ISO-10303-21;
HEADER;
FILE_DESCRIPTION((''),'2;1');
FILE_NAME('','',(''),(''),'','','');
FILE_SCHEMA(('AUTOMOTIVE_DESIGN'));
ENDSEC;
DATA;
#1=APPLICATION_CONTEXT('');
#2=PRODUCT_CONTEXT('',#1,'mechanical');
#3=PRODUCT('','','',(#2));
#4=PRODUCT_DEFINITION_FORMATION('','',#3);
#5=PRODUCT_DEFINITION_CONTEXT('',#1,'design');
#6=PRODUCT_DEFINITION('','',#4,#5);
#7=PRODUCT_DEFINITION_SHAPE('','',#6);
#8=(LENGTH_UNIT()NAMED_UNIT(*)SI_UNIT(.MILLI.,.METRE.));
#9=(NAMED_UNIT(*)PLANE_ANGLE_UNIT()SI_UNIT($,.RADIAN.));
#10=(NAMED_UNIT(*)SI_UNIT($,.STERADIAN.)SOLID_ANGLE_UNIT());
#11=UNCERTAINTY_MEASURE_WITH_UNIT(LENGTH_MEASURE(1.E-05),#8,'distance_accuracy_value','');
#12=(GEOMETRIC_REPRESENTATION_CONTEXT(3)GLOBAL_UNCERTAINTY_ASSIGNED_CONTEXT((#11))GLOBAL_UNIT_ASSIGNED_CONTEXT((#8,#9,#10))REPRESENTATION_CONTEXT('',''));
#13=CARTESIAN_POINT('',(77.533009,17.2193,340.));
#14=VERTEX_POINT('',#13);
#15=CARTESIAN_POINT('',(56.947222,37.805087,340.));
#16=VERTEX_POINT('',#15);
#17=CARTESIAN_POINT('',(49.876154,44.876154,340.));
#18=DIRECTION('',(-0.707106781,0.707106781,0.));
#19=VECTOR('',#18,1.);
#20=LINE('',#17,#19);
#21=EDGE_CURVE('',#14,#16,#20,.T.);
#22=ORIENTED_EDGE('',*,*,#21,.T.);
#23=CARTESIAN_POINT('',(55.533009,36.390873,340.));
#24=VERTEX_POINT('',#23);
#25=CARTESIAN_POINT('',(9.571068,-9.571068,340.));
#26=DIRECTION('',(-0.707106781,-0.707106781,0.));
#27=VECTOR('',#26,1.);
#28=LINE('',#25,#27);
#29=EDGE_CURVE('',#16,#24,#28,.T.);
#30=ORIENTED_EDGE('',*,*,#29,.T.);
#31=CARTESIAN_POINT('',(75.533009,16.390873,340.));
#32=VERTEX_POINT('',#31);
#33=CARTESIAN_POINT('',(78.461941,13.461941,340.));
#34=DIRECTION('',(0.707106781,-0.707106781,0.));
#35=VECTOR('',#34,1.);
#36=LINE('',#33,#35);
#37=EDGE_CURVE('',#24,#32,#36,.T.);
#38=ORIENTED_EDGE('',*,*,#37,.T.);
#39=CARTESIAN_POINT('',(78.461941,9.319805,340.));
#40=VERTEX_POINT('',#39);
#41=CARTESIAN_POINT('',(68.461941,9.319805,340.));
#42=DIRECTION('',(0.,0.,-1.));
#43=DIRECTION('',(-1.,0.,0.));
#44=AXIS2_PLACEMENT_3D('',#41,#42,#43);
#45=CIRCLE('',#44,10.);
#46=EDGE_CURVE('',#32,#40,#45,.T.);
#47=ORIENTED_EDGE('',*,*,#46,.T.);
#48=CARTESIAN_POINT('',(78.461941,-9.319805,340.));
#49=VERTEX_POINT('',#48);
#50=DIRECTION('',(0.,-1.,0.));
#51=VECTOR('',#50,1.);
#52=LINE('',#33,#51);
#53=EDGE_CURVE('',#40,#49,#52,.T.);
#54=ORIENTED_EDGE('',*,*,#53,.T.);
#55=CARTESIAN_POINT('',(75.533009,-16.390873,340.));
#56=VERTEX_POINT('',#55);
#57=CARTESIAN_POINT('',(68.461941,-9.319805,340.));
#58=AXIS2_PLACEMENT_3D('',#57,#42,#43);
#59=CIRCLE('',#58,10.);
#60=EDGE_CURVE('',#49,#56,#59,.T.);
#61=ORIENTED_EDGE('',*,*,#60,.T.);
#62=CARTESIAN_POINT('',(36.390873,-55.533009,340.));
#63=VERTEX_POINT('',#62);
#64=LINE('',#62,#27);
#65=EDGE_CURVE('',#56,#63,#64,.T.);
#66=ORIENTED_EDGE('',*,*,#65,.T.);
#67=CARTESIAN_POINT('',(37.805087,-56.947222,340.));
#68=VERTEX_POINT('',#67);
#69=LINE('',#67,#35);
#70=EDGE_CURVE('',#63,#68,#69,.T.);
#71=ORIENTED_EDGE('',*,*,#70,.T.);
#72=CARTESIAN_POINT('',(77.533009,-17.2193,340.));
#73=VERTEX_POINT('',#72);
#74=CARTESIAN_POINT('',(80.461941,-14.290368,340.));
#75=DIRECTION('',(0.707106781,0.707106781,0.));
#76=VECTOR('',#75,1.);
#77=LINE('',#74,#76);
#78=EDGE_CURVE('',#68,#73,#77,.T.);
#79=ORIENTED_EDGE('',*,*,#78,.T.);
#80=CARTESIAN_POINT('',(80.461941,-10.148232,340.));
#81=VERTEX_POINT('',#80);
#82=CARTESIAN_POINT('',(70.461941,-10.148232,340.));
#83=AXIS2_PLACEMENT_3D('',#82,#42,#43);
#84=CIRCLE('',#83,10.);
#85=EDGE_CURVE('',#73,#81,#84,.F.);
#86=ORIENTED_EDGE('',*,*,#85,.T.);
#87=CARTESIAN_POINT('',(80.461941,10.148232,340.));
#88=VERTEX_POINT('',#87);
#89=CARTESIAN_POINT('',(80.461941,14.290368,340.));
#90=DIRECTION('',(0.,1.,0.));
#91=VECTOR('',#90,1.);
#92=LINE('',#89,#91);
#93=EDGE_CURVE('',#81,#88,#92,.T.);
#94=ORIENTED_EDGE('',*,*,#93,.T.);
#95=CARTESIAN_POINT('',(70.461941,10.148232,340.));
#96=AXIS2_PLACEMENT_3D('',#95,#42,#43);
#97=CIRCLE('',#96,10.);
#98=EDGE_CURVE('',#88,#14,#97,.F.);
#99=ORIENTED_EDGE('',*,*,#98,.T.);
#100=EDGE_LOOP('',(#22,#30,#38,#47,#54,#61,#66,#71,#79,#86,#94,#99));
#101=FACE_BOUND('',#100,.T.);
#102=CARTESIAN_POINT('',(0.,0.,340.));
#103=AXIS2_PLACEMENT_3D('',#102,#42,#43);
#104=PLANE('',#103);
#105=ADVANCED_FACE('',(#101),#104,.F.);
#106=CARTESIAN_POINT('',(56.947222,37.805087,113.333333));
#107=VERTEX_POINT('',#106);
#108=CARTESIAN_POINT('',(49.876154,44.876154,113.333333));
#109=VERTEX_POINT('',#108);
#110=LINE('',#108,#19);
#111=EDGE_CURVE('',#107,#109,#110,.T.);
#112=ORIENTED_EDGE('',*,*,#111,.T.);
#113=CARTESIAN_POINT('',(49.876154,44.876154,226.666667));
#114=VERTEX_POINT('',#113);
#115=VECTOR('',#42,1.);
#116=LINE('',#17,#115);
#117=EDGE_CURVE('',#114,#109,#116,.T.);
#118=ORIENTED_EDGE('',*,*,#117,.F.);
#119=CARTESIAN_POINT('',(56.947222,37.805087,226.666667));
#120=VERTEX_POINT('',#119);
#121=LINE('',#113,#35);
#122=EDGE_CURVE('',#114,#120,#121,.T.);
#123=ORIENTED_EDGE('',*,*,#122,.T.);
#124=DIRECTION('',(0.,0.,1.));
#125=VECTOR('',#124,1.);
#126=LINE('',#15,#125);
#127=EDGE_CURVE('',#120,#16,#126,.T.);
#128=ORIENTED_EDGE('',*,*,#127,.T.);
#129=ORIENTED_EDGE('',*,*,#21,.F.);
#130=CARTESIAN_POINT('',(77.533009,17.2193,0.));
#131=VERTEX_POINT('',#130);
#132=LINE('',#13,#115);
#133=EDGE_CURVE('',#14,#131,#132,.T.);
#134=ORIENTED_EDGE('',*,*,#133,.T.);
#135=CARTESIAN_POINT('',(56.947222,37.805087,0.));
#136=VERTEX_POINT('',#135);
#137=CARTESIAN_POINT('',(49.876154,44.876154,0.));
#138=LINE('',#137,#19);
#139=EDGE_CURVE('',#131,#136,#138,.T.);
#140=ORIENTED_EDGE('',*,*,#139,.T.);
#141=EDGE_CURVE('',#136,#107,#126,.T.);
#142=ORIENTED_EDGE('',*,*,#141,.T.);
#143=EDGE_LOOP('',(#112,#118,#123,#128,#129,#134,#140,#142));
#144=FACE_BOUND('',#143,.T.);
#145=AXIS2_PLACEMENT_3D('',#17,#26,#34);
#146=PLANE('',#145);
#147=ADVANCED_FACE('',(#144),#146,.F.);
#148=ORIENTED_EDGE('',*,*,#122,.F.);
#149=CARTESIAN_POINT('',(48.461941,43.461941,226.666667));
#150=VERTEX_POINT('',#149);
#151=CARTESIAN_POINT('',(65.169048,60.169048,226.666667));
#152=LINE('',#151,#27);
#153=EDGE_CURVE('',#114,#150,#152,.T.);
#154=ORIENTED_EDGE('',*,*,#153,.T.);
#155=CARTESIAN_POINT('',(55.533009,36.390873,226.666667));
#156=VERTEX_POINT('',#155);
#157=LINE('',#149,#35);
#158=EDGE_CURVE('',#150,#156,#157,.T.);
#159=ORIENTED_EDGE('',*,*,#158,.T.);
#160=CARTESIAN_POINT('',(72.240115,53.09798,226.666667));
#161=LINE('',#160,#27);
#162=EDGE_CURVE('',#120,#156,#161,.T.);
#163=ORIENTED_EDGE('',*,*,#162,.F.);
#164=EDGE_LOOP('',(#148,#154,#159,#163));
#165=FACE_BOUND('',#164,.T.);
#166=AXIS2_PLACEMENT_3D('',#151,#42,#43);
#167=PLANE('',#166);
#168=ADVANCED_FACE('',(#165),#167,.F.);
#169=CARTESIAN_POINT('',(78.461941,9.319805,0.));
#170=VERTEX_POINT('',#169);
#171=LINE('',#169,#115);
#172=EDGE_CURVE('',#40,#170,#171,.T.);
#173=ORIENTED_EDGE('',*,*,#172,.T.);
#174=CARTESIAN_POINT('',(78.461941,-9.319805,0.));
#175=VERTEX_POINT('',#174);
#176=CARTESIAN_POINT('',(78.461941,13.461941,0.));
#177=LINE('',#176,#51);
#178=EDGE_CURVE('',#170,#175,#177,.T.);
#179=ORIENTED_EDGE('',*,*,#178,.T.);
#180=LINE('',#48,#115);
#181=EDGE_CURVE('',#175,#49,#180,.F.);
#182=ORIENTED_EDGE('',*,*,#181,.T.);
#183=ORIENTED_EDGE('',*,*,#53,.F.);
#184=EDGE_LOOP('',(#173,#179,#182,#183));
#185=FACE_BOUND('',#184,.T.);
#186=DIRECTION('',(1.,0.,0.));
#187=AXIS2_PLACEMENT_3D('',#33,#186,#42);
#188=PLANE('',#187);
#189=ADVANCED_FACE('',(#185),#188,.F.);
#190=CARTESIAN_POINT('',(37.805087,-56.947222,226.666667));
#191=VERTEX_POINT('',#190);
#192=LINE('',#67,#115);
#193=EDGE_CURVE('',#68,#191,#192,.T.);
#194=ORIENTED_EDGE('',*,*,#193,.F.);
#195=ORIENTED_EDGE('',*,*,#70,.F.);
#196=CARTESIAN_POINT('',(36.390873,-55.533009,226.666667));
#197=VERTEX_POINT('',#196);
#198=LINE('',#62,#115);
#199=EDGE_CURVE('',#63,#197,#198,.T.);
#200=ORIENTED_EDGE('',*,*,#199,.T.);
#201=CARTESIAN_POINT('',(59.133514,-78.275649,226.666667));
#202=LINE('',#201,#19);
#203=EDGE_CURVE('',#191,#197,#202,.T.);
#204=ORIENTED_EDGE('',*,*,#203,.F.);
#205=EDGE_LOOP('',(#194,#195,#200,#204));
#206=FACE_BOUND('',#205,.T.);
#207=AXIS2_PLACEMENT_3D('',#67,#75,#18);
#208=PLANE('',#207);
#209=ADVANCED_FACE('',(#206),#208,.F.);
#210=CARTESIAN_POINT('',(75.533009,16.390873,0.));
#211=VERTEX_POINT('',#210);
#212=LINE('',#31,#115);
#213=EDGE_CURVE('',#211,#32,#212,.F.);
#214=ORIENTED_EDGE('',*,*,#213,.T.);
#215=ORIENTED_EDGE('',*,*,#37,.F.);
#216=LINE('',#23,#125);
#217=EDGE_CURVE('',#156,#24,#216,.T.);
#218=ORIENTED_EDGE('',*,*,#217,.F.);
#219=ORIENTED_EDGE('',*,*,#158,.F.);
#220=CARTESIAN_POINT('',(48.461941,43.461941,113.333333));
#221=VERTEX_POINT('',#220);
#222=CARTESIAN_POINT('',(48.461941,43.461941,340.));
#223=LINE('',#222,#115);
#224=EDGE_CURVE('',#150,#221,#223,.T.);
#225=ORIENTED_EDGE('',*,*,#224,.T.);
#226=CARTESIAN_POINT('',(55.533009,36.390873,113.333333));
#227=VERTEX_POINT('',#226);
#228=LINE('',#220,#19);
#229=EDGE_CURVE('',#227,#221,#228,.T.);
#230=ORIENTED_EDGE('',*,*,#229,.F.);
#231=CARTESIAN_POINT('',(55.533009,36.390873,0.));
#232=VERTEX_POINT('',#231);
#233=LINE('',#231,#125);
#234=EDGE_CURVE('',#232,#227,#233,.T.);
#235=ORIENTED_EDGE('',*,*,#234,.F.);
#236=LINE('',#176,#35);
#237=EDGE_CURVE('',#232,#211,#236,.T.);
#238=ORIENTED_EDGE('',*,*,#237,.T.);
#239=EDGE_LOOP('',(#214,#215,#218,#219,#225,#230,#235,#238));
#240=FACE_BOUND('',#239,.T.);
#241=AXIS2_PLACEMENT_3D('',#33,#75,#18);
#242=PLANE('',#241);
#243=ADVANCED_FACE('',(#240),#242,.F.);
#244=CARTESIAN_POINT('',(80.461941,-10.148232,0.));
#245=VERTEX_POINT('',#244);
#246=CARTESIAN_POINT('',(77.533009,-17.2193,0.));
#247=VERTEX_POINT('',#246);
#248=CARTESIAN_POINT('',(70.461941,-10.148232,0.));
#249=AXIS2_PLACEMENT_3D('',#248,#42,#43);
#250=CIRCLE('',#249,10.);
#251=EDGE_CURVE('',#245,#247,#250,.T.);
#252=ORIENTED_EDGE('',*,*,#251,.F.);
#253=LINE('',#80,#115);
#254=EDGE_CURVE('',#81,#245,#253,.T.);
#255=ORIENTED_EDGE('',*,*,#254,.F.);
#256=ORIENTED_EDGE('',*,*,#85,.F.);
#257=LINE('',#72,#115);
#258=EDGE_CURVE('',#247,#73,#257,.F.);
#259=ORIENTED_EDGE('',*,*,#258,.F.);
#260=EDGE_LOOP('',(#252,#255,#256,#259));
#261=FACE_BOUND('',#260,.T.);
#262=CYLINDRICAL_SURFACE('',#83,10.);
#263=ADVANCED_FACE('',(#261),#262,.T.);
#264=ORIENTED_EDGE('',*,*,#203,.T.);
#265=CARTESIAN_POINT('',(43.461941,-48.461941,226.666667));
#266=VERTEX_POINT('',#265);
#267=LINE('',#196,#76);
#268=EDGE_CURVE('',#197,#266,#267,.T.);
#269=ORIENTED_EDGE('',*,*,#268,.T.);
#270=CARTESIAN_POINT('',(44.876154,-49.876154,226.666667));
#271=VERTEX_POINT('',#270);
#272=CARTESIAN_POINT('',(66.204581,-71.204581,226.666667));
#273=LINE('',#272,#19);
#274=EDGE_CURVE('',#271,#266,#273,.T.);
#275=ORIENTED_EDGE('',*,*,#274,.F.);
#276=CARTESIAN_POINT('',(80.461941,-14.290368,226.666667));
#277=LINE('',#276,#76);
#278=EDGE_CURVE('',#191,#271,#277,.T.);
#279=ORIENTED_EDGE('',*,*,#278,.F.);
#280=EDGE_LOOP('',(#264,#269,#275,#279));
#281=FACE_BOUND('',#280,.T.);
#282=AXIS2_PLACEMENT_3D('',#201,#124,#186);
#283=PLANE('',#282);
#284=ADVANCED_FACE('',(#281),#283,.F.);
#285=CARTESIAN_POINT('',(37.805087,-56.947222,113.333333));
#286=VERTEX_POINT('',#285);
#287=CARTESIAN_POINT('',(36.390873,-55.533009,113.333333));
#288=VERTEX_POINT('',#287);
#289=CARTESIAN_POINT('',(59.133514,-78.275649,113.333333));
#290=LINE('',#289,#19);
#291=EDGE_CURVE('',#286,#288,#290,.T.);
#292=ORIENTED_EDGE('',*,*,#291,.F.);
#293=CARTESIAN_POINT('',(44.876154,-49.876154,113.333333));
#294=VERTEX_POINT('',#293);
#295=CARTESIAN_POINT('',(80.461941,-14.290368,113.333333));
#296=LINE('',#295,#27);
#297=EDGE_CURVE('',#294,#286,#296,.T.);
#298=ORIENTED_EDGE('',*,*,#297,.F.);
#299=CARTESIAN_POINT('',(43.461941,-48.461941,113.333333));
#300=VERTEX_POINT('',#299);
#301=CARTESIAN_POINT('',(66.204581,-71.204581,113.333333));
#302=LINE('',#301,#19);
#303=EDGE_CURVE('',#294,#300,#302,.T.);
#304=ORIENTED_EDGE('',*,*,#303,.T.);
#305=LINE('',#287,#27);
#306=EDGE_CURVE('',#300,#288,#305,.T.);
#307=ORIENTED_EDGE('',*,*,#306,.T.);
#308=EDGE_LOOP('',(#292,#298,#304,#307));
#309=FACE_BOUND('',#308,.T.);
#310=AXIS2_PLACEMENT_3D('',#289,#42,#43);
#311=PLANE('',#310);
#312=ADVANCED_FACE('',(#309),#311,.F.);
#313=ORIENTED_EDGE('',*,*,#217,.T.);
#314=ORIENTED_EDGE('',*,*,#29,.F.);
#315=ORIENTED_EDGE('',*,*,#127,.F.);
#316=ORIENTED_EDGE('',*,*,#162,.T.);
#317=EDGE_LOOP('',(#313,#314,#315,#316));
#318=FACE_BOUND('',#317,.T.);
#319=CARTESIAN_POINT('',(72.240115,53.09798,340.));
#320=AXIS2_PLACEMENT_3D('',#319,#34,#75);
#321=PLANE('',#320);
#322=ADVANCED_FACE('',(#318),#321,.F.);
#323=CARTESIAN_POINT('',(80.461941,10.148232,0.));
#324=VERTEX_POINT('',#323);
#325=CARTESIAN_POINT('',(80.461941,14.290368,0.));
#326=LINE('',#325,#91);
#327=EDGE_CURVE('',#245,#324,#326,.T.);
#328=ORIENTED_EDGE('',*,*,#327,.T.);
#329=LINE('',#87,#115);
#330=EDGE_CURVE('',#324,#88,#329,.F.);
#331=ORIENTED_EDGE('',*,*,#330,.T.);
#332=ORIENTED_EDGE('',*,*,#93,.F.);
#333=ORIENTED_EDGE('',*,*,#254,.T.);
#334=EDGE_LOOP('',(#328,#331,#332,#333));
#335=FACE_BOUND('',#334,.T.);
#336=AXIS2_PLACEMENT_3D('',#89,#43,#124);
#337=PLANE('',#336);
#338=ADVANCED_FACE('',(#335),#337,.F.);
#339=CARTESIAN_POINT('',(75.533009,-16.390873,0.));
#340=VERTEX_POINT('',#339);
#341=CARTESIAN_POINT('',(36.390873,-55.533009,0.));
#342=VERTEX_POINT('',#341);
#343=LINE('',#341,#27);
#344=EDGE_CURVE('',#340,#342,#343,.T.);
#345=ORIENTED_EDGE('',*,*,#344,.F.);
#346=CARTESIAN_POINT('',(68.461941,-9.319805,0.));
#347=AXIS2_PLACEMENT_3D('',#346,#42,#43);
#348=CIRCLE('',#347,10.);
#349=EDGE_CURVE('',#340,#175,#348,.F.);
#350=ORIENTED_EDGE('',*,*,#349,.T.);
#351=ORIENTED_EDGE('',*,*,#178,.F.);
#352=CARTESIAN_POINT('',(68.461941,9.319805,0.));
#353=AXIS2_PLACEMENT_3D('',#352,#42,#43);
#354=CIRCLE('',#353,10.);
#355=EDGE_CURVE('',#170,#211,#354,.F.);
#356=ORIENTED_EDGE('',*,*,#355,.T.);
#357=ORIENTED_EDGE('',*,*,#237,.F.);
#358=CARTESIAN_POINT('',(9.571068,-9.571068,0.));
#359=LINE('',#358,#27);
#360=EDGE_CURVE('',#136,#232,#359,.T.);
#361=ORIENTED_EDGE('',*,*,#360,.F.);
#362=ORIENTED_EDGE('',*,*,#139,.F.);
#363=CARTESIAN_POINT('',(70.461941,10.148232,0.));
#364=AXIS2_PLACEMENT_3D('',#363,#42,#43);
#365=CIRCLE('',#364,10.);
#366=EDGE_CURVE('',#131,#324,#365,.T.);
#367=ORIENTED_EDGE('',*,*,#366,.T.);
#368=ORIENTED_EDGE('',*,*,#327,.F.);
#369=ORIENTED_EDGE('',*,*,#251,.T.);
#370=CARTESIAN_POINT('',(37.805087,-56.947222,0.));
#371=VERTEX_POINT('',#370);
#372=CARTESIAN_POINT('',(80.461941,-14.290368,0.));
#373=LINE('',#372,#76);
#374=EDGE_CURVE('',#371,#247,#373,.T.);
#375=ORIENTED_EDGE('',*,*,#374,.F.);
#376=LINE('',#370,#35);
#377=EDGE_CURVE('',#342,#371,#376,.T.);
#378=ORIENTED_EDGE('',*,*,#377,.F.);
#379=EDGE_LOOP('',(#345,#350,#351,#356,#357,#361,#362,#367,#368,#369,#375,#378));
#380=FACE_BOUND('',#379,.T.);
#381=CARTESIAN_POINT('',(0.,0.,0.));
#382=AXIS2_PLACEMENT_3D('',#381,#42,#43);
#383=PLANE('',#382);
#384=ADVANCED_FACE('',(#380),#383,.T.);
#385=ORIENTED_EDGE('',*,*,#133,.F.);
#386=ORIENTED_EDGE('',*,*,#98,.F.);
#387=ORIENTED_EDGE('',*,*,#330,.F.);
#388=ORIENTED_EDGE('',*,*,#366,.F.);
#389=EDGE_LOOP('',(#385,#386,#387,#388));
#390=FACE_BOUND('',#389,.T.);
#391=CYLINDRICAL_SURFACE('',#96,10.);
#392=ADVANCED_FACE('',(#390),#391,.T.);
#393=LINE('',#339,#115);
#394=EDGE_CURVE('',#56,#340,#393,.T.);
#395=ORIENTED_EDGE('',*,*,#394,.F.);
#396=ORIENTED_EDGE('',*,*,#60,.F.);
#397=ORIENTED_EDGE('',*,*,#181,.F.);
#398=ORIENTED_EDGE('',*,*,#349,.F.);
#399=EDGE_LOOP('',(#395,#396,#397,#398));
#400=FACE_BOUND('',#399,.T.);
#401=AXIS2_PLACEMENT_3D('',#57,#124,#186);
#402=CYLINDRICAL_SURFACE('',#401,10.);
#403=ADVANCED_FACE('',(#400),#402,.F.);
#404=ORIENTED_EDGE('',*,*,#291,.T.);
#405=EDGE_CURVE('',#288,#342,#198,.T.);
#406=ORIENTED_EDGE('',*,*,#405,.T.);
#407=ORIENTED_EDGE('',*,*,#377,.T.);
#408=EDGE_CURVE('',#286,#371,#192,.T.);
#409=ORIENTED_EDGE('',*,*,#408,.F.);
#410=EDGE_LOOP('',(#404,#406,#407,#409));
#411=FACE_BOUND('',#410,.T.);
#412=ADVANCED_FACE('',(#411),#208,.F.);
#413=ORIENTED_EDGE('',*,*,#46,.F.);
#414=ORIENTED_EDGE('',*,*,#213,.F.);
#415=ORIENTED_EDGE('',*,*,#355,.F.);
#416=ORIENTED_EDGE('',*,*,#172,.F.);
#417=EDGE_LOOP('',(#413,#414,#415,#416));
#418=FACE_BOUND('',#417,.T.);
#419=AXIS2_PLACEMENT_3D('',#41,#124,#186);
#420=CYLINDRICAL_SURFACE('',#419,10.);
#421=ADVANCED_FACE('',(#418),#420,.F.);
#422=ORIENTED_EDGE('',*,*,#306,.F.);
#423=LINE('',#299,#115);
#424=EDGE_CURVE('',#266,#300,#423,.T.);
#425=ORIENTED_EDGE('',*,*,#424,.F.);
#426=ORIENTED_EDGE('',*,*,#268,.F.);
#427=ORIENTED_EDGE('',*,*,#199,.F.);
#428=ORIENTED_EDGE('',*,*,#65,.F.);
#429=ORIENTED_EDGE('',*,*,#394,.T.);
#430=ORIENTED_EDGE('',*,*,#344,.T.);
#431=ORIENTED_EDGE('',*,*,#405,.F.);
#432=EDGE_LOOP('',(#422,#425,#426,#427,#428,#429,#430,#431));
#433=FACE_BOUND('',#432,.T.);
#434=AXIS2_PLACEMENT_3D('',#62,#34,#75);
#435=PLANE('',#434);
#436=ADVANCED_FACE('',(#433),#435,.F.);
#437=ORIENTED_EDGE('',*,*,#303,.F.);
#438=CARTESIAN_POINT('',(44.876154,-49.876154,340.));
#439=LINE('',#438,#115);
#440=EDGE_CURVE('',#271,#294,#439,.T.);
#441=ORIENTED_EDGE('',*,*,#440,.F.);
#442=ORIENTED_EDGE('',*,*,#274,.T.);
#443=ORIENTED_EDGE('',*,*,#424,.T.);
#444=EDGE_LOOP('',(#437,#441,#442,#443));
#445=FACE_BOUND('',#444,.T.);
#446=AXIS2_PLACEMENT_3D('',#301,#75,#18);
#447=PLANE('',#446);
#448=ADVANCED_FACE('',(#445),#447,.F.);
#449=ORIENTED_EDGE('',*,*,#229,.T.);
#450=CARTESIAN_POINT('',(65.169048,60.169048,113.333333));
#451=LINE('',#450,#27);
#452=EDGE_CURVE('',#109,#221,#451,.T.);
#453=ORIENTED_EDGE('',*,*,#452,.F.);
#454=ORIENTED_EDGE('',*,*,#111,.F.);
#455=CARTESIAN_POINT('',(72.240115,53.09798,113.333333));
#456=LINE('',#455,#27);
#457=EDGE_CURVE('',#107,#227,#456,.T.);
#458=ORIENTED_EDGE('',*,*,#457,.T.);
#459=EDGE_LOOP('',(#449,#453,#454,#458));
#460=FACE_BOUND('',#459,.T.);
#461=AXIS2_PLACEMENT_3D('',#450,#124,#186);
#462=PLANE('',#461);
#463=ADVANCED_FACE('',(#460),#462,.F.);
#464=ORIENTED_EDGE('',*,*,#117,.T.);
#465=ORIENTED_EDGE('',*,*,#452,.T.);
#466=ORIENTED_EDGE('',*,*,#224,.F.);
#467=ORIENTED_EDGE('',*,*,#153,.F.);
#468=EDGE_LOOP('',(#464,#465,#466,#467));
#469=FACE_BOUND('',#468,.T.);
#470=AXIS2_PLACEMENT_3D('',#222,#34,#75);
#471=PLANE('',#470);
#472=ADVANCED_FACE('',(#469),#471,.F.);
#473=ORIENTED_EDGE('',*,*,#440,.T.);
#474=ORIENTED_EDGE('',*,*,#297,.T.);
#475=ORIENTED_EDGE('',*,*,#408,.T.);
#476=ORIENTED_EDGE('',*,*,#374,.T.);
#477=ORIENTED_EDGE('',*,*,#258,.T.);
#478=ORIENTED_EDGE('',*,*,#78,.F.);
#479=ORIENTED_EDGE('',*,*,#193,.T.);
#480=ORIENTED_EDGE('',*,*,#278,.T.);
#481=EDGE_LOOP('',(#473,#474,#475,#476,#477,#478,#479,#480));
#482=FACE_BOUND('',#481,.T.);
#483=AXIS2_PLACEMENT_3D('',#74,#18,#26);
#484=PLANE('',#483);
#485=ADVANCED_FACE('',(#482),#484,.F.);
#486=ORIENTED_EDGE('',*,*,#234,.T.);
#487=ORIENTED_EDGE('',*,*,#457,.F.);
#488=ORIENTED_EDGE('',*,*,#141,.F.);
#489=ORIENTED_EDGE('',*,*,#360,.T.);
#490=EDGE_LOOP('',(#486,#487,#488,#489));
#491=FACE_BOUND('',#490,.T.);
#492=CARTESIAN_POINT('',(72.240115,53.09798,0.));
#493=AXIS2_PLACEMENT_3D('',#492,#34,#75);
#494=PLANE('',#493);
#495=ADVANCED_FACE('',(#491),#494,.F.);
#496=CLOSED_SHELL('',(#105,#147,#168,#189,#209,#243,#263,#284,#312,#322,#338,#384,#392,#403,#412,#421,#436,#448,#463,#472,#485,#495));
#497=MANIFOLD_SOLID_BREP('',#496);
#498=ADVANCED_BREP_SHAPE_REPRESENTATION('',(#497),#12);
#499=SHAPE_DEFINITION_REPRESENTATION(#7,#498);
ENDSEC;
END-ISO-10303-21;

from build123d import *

# Parameters (mm, degrees)
BOSS_EXTRUDE1_DEPTH = 340
SKETCH4_W           = 113.333333333
SKETCH4_H           = 10
CUT_EXTRUDE3_DEPTH  = 24.627416998
SKETCH5_W           = 113.333333334
SKETCH5_H           = 10
CUT_EXTRUDE4_DEPTH  = 33.162950904
FILLET2_R           = 10


with BuildPart() as part:
    # Sketch1 → Boss-Extrude1 (new body)
    with BuildSketch(Plane.XY):
        Polygon((48.461940777, 43.461940777), (49.876154339, 44.876154339), (80.461940777, 14.290367902), (80.461940777, -14.290367902), (37.805086528, -56.947222151), (36.390872965, -55.533008589), (78.461940777, -13.461940777), (78.461940777, 13.461940777), align=None)
    extrude(amount=BOSS_EXTRUDE1_DEPTH)

    # Sketch4 → Cut-Extrude3 (cut, through all)
    with BuildSketch(Plane(origin=(45.961940777, 45.961940777, 0), x_dir=(0, 0, 1), z_dir=(-0.707106781, -0.707106781, 0))):
        with Locations((56.666666667, -8.535533906)):
            Rectangle(SKETCH4_W, SKETCH4_H)
        with Locations((283.333333334, -8.535533906)):
            Rectangle(SKETCH4_W, SKETCH4_H)
    extrude(amount=-CUT_EXTRUDE3_DEPTH, mode=Mode.SUBTRACT)

    # Sketch5 → Cut-Extrude4 (cut, through all)
    with BuildSketch(Plane(origin=(45.961940777, -45.961940777, 0), x_dir=(0, 0, 1), z_dir=(-0.707106781, 0.707106781, 0))):
        with Locations((170, -8.535533906)):
            Rectangle(SKETCH5_W, SKETCH5_H)
    extrude(amount=-CUT_EXTRUDE4_DEPTH, mode=Mode.SUBTRACT)

    # Fillet2
    fillet2_edges = [part.edges().sort_by_distance(p)[0] for p in [
        (80.461940777, 14.290367902, 170),
        (80.461940777, -14.290367902, 170),
        (78.461940777, -13.461940777, 170),
        (78.461940777, 13.461940777, 170),
    ]]
    fillet(fillet2_edges, radius=FILLET2_R)


solid = part.part
